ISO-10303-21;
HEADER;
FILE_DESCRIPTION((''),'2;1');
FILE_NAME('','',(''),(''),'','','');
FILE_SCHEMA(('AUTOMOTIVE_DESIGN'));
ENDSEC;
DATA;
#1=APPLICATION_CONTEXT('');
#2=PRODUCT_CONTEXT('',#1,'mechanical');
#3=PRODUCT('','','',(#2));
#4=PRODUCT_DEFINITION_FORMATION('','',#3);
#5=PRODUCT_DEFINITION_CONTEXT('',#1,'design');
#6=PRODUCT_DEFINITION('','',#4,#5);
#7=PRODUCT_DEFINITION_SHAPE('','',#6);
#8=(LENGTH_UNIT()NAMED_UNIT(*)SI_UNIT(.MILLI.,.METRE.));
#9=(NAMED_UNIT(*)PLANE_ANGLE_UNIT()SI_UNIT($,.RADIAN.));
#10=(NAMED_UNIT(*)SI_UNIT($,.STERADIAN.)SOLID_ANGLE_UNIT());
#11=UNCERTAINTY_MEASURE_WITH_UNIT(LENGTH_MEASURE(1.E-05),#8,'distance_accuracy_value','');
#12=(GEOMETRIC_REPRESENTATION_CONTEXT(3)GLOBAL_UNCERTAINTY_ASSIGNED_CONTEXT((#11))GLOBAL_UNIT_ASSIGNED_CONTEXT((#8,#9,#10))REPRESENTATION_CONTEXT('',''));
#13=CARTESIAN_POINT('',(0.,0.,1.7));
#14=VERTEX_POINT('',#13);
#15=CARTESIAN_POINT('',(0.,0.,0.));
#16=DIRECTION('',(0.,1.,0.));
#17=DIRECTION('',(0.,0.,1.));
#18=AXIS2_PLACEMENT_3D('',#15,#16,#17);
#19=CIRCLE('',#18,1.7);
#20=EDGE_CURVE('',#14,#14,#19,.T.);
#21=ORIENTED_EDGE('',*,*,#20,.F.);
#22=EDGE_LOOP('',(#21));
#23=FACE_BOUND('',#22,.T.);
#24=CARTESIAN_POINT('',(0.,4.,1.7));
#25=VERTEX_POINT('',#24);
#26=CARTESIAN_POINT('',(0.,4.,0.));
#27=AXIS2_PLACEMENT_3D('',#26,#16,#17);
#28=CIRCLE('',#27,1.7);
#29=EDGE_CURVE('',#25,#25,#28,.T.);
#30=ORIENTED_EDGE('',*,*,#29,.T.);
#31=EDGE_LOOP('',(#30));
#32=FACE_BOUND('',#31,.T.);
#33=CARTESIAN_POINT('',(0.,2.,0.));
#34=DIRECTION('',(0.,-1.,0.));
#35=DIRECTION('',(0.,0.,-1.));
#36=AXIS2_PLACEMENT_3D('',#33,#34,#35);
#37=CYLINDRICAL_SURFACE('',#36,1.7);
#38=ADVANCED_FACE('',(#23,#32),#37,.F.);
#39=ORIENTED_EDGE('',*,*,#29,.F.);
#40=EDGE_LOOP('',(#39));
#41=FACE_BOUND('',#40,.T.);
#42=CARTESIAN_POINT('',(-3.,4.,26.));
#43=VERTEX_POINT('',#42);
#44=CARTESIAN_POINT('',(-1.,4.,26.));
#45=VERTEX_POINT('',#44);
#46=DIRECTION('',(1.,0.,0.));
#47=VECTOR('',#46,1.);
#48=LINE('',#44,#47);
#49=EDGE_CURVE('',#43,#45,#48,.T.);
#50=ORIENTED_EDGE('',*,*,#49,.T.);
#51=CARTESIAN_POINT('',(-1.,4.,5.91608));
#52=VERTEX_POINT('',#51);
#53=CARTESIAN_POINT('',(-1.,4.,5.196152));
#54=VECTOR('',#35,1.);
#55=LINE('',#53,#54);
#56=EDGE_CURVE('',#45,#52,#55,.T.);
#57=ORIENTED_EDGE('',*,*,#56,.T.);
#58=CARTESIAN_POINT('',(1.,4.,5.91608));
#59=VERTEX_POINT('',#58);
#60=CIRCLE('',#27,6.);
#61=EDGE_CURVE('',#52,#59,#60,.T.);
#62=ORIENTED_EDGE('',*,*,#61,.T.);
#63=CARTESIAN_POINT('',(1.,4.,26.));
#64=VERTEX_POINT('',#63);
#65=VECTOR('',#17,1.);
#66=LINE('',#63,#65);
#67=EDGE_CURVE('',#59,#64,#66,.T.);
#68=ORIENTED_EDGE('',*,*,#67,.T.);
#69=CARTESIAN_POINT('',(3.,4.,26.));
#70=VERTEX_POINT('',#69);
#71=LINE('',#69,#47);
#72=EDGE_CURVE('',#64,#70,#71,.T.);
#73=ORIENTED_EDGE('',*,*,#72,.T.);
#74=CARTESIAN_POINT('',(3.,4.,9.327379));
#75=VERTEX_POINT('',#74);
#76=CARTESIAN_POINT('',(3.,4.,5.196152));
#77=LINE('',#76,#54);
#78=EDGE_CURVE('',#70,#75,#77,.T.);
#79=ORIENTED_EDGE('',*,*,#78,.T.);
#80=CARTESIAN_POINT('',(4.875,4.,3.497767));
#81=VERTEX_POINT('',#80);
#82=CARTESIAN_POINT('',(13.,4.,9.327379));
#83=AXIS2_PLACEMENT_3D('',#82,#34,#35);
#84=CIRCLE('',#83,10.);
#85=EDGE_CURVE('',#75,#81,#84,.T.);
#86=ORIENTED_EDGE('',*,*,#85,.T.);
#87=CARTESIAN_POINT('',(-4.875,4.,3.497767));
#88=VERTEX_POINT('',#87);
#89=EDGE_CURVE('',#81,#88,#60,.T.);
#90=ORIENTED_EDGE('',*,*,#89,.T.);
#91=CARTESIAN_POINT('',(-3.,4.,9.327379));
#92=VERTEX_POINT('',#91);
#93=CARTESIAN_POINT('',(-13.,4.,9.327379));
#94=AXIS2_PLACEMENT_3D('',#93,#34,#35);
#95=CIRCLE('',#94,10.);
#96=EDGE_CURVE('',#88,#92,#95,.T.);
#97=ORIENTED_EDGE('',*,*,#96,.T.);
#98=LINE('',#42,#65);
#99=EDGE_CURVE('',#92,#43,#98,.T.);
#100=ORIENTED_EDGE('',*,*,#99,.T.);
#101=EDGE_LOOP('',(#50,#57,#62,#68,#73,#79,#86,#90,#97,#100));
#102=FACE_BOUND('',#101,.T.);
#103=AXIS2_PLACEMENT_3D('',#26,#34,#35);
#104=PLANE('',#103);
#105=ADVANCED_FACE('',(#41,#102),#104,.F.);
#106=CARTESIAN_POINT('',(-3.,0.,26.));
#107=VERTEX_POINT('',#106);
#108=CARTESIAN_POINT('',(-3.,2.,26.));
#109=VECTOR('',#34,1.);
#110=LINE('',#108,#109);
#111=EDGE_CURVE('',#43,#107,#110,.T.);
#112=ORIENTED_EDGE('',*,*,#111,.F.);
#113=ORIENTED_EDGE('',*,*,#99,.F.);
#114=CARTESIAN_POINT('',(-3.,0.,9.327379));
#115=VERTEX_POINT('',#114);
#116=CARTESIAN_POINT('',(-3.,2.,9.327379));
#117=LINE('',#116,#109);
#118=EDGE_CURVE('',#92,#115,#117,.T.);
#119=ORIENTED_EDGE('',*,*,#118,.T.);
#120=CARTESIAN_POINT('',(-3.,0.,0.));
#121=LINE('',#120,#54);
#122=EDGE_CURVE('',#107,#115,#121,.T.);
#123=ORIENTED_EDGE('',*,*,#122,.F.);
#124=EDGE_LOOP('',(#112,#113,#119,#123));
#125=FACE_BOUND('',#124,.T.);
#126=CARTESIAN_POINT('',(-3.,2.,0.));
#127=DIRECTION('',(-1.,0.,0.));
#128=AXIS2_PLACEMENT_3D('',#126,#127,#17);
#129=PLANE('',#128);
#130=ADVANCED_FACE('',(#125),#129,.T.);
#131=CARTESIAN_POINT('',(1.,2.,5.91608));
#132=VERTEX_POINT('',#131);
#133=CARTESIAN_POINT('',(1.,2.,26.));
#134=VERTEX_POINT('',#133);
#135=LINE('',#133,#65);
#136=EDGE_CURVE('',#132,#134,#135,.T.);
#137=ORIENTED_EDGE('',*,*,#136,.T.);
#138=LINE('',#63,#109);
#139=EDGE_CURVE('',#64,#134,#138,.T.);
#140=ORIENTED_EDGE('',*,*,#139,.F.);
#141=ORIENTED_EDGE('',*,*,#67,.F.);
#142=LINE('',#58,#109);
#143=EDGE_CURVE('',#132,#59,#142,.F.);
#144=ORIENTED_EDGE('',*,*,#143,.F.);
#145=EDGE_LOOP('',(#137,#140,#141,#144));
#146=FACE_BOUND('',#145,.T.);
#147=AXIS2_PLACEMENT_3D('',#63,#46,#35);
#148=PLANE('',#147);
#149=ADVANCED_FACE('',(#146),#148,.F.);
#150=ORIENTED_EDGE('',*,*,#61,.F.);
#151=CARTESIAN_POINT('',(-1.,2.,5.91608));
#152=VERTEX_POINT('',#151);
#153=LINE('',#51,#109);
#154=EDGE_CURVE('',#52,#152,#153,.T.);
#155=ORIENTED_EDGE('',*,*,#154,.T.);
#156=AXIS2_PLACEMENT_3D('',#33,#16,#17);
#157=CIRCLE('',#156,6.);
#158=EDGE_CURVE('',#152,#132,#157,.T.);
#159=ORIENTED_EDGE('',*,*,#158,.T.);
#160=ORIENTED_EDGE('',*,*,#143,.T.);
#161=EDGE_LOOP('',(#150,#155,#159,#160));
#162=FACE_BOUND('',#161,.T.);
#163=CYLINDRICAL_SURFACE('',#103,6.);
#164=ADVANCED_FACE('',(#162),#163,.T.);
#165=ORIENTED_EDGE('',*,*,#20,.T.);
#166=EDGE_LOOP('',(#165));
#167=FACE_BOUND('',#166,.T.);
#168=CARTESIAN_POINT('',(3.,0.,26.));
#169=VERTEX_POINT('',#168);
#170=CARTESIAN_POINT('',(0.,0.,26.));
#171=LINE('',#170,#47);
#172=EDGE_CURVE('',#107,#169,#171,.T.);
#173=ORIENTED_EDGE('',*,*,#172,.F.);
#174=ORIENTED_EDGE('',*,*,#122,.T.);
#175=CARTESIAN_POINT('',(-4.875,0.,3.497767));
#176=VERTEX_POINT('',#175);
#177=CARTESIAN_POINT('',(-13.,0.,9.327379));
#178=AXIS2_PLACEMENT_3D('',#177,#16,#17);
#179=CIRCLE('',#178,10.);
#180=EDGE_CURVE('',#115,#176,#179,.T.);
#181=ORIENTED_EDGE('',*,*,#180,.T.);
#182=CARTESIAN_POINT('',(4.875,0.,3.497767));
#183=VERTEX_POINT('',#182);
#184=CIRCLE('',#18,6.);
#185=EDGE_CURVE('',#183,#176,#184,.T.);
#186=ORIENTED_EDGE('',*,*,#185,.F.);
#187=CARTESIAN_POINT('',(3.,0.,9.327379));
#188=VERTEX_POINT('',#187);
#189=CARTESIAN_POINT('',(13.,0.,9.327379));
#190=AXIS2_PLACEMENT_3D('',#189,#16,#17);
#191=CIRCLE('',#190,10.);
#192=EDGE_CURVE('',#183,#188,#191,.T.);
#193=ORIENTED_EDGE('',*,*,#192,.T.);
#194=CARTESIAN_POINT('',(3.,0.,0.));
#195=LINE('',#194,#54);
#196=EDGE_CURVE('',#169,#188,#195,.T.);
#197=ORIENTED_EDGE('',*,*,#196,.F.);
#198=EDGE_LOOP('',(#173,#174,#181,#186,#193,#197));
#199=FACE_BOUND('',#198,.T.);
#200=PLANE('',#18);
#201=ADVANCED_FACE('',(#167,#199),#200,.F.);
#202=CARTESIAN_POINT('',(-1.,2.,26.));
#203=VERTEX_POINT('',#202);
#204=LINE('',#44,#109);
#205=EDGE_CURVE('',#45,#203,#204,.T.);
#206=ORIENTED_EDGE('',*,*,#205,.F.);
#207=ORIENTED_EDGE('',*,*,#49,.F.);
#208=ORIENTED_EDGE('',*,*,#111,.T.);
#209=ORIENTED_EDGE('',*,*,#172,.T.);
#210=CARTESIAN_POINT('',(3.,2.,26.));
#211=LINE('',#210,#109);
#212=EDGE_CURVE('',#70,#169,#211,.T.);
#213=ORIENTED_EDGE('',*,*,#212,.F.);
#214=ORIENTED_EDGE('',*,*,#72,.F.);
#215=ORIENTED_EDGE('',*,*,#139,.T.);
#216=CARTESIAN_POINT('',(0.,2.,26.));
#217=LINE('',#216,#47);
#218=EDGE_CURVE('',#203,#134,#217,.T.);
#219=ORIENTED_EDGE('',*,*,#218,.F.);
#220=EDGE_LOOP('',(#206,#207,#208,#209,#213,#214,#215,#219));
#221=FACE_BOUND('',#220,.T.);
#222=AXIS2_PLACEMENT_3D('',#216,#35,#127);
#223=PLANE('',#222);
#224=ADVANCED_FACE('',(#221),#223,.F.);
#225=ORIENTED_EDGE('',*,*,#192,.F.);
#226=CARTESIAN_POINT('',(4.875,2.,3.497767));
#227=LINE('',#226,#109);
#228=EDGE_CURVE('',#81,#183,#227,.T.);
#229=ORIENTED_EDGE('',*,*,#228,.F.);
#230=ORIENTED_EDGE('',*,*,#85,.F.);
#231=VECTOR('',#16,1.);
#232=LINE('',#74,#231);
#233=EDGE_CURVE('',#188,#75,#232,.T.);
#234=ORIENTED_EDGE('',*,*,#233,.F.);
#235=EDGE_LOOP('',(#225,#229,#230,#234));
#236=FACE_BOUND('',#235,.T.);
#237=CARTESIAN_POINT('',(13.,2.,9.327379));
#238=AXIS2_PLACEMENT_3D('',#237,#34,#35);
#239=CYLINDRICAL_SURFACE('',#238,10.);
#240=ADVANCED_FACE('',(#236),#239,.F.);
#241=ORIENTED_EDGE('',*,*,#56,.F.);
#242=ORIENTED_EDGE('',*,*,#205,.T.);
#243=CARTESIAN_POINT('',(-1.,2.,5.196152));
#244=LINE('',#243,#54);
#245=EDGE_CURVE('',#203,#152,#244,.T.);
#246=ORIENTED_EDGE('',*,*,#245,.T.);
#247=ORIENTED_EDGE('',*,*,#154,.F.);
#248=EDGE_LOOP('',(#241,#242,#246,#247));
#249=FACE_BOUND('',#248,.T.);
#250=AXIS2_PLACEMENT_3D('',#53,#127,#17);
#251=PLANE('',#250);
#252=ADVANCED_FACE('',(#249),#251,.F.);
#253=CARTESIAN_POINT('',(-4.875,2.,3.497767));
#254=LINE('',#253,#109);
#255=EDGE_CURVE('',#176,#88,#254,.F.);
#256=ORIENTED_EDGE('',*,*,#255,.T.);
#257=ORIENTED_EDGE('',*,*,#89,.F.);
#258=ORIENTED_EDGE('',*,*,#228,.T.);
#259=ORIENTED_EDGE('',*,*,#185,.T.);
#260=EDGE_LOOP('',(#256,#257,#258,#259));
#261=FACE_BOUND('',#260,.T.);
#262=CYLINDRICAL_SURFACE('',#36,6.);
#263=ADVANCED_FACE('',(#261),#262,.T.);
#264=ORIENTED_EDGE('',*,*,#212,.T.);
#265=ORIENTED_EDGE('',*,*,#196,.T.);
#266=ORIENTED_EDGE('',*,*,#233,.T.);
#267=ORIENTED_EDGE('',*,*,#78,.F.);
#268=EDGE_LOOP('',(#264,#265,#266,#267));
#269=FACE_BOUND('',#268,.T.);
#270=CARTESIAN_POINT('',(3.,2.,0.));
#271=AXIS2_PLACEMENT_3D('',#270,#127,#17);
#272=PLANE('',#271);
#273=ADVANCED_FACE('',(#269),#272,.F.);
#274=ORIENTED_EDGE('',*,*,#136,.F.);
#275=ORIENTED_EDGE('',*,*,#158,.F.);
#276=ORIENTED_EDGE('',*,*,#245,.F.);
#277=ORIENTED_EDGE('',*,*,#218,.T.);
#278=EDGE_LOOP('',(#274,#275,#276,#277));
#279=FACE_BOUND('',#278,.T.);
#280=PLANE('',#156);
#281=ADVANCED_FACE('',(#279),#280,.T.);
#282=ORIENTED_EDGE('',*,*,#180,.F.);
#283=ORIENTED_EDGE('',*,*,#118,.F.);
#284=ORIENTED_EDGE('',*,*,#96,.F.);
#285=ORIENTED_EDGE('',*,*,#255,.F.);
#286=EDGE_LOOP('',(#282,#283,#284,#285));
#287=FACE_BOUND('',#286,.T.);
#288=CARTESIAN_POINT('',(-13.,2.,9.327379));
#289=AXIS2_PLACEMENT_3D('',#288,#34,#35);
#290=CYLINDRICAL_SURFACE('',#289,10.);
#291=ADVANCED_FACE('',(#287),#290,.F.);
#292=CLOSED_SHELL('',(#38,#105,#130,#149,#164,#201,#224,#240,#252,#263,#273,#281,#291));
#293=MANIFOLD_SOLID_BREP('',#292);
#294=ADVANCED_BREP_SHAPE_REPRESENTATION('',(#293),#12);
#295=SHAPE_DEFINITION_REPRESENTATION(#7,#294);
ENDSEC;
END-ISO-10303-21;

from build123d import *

# Parameters (mm, degrees)
SKETCH1_R           = 6
SKETCH1_R_2         = 1.7
BOSS_EXTRUDE1_DEPTH = 2
SKETCH2_W           = 2
SKETCH2_H           = 20.803847577
BOSS_EXTRUDE2_DEPTH = 2
SKETCH3_R           = 6
SKETCH3_R_2         = 1.7
BOSS_EXTRUDE3_DEPTH = 2
FILLET1_R           = 10


with BuildPart() as part:
    # Sketch1 → Boss-Extrude1 (new body)
    # profile 1 of 3: a face of its own
    with BuildSketch(Plane(origin=(0, 0, 0), x_dir=(1, 0, 0), z_dir=(0, 1, 0))):
        Circle(SKETCH1_R)
        with Locations(Location((0, 0, 0), (0, 0, 270))):
            Circle(SKETCH1_R_2, mode=Mode.SUBTRACT)
    # profile 2 of 3: a face of its own
    with BuildSketch(Plane(origin=(0, 0, 0), x_dir=(1, 0, 0), z_dir=(0, 1, 0))):
        with BuildLine():
            ThreePointArc((3, -5.196152423), (1.552914271, -5.795554958), (0, -6))
            Line((0, -6), (0, -26))
            Line((0, -26), (3, -26))
            Line((3, -26), (3, -5.196152423))
        make_face()
    # profile 3 of 3: a face of its own
    with BuildSketch(Plane(origin=(0, 0, 0), x_dir=(1, 0, 0), z_dir=(0, 1, 0))):
        with BuildLine():
            Line((0, -26), (0, -6))
            ThreePointArc((0, -6), (-1.552914271, -5.795554958), (-3, -5.196152423))
            Line((-3, -5.196152423), (-3, -26))
            Line((-3, -26), (0, -26))
        make_face()
    extrude(amount=BOSS_EXTRUDE1_DEPTH)

    # Sketch2 → Boss-Extrude2 (add)
    with BuildSketch(Plane(origin=(0, 2, 0), x_dir=(1, 0, 0), z_dir=(0, 1, 0))):
        with Locations((-2, -15.598076212)):
            Rectangle(SKETCH2_W, SKETCH2_H)
        with Locations((2, -15.598076212)):
            Rectangle(SKETCH2_W, SKETCH2_H)
    extrude(amount=BOSS_EXTRUDE2_DEPTH)

    # Sketch3 → Boss-Extrude3 (add)
    with BuildSketch(Plane(origin=(0, 2, 0), x_dir=(1, 0, 0), z_dir=(0, 1, 0))):
        Circle(SKETCH3_R)
        with Locations(Location((0, 0, 0), (0, 0, 270))):
            Circle(SKETCH3_R_2, mode=Mode.SUBTRACT)
    extrude(amount=BOSS_EXTRUDE3_DEPTH)

    # Fillet1
    fillet1_edges = [part.edges().sort_by_distance(p)[0] for p in [
        (-3, 2, 5.196152423),
        (3, 2, 5.196152423),
    ]]
    fillet(fillet1_edges, radius=FILLET1_R)


solid = part.part
